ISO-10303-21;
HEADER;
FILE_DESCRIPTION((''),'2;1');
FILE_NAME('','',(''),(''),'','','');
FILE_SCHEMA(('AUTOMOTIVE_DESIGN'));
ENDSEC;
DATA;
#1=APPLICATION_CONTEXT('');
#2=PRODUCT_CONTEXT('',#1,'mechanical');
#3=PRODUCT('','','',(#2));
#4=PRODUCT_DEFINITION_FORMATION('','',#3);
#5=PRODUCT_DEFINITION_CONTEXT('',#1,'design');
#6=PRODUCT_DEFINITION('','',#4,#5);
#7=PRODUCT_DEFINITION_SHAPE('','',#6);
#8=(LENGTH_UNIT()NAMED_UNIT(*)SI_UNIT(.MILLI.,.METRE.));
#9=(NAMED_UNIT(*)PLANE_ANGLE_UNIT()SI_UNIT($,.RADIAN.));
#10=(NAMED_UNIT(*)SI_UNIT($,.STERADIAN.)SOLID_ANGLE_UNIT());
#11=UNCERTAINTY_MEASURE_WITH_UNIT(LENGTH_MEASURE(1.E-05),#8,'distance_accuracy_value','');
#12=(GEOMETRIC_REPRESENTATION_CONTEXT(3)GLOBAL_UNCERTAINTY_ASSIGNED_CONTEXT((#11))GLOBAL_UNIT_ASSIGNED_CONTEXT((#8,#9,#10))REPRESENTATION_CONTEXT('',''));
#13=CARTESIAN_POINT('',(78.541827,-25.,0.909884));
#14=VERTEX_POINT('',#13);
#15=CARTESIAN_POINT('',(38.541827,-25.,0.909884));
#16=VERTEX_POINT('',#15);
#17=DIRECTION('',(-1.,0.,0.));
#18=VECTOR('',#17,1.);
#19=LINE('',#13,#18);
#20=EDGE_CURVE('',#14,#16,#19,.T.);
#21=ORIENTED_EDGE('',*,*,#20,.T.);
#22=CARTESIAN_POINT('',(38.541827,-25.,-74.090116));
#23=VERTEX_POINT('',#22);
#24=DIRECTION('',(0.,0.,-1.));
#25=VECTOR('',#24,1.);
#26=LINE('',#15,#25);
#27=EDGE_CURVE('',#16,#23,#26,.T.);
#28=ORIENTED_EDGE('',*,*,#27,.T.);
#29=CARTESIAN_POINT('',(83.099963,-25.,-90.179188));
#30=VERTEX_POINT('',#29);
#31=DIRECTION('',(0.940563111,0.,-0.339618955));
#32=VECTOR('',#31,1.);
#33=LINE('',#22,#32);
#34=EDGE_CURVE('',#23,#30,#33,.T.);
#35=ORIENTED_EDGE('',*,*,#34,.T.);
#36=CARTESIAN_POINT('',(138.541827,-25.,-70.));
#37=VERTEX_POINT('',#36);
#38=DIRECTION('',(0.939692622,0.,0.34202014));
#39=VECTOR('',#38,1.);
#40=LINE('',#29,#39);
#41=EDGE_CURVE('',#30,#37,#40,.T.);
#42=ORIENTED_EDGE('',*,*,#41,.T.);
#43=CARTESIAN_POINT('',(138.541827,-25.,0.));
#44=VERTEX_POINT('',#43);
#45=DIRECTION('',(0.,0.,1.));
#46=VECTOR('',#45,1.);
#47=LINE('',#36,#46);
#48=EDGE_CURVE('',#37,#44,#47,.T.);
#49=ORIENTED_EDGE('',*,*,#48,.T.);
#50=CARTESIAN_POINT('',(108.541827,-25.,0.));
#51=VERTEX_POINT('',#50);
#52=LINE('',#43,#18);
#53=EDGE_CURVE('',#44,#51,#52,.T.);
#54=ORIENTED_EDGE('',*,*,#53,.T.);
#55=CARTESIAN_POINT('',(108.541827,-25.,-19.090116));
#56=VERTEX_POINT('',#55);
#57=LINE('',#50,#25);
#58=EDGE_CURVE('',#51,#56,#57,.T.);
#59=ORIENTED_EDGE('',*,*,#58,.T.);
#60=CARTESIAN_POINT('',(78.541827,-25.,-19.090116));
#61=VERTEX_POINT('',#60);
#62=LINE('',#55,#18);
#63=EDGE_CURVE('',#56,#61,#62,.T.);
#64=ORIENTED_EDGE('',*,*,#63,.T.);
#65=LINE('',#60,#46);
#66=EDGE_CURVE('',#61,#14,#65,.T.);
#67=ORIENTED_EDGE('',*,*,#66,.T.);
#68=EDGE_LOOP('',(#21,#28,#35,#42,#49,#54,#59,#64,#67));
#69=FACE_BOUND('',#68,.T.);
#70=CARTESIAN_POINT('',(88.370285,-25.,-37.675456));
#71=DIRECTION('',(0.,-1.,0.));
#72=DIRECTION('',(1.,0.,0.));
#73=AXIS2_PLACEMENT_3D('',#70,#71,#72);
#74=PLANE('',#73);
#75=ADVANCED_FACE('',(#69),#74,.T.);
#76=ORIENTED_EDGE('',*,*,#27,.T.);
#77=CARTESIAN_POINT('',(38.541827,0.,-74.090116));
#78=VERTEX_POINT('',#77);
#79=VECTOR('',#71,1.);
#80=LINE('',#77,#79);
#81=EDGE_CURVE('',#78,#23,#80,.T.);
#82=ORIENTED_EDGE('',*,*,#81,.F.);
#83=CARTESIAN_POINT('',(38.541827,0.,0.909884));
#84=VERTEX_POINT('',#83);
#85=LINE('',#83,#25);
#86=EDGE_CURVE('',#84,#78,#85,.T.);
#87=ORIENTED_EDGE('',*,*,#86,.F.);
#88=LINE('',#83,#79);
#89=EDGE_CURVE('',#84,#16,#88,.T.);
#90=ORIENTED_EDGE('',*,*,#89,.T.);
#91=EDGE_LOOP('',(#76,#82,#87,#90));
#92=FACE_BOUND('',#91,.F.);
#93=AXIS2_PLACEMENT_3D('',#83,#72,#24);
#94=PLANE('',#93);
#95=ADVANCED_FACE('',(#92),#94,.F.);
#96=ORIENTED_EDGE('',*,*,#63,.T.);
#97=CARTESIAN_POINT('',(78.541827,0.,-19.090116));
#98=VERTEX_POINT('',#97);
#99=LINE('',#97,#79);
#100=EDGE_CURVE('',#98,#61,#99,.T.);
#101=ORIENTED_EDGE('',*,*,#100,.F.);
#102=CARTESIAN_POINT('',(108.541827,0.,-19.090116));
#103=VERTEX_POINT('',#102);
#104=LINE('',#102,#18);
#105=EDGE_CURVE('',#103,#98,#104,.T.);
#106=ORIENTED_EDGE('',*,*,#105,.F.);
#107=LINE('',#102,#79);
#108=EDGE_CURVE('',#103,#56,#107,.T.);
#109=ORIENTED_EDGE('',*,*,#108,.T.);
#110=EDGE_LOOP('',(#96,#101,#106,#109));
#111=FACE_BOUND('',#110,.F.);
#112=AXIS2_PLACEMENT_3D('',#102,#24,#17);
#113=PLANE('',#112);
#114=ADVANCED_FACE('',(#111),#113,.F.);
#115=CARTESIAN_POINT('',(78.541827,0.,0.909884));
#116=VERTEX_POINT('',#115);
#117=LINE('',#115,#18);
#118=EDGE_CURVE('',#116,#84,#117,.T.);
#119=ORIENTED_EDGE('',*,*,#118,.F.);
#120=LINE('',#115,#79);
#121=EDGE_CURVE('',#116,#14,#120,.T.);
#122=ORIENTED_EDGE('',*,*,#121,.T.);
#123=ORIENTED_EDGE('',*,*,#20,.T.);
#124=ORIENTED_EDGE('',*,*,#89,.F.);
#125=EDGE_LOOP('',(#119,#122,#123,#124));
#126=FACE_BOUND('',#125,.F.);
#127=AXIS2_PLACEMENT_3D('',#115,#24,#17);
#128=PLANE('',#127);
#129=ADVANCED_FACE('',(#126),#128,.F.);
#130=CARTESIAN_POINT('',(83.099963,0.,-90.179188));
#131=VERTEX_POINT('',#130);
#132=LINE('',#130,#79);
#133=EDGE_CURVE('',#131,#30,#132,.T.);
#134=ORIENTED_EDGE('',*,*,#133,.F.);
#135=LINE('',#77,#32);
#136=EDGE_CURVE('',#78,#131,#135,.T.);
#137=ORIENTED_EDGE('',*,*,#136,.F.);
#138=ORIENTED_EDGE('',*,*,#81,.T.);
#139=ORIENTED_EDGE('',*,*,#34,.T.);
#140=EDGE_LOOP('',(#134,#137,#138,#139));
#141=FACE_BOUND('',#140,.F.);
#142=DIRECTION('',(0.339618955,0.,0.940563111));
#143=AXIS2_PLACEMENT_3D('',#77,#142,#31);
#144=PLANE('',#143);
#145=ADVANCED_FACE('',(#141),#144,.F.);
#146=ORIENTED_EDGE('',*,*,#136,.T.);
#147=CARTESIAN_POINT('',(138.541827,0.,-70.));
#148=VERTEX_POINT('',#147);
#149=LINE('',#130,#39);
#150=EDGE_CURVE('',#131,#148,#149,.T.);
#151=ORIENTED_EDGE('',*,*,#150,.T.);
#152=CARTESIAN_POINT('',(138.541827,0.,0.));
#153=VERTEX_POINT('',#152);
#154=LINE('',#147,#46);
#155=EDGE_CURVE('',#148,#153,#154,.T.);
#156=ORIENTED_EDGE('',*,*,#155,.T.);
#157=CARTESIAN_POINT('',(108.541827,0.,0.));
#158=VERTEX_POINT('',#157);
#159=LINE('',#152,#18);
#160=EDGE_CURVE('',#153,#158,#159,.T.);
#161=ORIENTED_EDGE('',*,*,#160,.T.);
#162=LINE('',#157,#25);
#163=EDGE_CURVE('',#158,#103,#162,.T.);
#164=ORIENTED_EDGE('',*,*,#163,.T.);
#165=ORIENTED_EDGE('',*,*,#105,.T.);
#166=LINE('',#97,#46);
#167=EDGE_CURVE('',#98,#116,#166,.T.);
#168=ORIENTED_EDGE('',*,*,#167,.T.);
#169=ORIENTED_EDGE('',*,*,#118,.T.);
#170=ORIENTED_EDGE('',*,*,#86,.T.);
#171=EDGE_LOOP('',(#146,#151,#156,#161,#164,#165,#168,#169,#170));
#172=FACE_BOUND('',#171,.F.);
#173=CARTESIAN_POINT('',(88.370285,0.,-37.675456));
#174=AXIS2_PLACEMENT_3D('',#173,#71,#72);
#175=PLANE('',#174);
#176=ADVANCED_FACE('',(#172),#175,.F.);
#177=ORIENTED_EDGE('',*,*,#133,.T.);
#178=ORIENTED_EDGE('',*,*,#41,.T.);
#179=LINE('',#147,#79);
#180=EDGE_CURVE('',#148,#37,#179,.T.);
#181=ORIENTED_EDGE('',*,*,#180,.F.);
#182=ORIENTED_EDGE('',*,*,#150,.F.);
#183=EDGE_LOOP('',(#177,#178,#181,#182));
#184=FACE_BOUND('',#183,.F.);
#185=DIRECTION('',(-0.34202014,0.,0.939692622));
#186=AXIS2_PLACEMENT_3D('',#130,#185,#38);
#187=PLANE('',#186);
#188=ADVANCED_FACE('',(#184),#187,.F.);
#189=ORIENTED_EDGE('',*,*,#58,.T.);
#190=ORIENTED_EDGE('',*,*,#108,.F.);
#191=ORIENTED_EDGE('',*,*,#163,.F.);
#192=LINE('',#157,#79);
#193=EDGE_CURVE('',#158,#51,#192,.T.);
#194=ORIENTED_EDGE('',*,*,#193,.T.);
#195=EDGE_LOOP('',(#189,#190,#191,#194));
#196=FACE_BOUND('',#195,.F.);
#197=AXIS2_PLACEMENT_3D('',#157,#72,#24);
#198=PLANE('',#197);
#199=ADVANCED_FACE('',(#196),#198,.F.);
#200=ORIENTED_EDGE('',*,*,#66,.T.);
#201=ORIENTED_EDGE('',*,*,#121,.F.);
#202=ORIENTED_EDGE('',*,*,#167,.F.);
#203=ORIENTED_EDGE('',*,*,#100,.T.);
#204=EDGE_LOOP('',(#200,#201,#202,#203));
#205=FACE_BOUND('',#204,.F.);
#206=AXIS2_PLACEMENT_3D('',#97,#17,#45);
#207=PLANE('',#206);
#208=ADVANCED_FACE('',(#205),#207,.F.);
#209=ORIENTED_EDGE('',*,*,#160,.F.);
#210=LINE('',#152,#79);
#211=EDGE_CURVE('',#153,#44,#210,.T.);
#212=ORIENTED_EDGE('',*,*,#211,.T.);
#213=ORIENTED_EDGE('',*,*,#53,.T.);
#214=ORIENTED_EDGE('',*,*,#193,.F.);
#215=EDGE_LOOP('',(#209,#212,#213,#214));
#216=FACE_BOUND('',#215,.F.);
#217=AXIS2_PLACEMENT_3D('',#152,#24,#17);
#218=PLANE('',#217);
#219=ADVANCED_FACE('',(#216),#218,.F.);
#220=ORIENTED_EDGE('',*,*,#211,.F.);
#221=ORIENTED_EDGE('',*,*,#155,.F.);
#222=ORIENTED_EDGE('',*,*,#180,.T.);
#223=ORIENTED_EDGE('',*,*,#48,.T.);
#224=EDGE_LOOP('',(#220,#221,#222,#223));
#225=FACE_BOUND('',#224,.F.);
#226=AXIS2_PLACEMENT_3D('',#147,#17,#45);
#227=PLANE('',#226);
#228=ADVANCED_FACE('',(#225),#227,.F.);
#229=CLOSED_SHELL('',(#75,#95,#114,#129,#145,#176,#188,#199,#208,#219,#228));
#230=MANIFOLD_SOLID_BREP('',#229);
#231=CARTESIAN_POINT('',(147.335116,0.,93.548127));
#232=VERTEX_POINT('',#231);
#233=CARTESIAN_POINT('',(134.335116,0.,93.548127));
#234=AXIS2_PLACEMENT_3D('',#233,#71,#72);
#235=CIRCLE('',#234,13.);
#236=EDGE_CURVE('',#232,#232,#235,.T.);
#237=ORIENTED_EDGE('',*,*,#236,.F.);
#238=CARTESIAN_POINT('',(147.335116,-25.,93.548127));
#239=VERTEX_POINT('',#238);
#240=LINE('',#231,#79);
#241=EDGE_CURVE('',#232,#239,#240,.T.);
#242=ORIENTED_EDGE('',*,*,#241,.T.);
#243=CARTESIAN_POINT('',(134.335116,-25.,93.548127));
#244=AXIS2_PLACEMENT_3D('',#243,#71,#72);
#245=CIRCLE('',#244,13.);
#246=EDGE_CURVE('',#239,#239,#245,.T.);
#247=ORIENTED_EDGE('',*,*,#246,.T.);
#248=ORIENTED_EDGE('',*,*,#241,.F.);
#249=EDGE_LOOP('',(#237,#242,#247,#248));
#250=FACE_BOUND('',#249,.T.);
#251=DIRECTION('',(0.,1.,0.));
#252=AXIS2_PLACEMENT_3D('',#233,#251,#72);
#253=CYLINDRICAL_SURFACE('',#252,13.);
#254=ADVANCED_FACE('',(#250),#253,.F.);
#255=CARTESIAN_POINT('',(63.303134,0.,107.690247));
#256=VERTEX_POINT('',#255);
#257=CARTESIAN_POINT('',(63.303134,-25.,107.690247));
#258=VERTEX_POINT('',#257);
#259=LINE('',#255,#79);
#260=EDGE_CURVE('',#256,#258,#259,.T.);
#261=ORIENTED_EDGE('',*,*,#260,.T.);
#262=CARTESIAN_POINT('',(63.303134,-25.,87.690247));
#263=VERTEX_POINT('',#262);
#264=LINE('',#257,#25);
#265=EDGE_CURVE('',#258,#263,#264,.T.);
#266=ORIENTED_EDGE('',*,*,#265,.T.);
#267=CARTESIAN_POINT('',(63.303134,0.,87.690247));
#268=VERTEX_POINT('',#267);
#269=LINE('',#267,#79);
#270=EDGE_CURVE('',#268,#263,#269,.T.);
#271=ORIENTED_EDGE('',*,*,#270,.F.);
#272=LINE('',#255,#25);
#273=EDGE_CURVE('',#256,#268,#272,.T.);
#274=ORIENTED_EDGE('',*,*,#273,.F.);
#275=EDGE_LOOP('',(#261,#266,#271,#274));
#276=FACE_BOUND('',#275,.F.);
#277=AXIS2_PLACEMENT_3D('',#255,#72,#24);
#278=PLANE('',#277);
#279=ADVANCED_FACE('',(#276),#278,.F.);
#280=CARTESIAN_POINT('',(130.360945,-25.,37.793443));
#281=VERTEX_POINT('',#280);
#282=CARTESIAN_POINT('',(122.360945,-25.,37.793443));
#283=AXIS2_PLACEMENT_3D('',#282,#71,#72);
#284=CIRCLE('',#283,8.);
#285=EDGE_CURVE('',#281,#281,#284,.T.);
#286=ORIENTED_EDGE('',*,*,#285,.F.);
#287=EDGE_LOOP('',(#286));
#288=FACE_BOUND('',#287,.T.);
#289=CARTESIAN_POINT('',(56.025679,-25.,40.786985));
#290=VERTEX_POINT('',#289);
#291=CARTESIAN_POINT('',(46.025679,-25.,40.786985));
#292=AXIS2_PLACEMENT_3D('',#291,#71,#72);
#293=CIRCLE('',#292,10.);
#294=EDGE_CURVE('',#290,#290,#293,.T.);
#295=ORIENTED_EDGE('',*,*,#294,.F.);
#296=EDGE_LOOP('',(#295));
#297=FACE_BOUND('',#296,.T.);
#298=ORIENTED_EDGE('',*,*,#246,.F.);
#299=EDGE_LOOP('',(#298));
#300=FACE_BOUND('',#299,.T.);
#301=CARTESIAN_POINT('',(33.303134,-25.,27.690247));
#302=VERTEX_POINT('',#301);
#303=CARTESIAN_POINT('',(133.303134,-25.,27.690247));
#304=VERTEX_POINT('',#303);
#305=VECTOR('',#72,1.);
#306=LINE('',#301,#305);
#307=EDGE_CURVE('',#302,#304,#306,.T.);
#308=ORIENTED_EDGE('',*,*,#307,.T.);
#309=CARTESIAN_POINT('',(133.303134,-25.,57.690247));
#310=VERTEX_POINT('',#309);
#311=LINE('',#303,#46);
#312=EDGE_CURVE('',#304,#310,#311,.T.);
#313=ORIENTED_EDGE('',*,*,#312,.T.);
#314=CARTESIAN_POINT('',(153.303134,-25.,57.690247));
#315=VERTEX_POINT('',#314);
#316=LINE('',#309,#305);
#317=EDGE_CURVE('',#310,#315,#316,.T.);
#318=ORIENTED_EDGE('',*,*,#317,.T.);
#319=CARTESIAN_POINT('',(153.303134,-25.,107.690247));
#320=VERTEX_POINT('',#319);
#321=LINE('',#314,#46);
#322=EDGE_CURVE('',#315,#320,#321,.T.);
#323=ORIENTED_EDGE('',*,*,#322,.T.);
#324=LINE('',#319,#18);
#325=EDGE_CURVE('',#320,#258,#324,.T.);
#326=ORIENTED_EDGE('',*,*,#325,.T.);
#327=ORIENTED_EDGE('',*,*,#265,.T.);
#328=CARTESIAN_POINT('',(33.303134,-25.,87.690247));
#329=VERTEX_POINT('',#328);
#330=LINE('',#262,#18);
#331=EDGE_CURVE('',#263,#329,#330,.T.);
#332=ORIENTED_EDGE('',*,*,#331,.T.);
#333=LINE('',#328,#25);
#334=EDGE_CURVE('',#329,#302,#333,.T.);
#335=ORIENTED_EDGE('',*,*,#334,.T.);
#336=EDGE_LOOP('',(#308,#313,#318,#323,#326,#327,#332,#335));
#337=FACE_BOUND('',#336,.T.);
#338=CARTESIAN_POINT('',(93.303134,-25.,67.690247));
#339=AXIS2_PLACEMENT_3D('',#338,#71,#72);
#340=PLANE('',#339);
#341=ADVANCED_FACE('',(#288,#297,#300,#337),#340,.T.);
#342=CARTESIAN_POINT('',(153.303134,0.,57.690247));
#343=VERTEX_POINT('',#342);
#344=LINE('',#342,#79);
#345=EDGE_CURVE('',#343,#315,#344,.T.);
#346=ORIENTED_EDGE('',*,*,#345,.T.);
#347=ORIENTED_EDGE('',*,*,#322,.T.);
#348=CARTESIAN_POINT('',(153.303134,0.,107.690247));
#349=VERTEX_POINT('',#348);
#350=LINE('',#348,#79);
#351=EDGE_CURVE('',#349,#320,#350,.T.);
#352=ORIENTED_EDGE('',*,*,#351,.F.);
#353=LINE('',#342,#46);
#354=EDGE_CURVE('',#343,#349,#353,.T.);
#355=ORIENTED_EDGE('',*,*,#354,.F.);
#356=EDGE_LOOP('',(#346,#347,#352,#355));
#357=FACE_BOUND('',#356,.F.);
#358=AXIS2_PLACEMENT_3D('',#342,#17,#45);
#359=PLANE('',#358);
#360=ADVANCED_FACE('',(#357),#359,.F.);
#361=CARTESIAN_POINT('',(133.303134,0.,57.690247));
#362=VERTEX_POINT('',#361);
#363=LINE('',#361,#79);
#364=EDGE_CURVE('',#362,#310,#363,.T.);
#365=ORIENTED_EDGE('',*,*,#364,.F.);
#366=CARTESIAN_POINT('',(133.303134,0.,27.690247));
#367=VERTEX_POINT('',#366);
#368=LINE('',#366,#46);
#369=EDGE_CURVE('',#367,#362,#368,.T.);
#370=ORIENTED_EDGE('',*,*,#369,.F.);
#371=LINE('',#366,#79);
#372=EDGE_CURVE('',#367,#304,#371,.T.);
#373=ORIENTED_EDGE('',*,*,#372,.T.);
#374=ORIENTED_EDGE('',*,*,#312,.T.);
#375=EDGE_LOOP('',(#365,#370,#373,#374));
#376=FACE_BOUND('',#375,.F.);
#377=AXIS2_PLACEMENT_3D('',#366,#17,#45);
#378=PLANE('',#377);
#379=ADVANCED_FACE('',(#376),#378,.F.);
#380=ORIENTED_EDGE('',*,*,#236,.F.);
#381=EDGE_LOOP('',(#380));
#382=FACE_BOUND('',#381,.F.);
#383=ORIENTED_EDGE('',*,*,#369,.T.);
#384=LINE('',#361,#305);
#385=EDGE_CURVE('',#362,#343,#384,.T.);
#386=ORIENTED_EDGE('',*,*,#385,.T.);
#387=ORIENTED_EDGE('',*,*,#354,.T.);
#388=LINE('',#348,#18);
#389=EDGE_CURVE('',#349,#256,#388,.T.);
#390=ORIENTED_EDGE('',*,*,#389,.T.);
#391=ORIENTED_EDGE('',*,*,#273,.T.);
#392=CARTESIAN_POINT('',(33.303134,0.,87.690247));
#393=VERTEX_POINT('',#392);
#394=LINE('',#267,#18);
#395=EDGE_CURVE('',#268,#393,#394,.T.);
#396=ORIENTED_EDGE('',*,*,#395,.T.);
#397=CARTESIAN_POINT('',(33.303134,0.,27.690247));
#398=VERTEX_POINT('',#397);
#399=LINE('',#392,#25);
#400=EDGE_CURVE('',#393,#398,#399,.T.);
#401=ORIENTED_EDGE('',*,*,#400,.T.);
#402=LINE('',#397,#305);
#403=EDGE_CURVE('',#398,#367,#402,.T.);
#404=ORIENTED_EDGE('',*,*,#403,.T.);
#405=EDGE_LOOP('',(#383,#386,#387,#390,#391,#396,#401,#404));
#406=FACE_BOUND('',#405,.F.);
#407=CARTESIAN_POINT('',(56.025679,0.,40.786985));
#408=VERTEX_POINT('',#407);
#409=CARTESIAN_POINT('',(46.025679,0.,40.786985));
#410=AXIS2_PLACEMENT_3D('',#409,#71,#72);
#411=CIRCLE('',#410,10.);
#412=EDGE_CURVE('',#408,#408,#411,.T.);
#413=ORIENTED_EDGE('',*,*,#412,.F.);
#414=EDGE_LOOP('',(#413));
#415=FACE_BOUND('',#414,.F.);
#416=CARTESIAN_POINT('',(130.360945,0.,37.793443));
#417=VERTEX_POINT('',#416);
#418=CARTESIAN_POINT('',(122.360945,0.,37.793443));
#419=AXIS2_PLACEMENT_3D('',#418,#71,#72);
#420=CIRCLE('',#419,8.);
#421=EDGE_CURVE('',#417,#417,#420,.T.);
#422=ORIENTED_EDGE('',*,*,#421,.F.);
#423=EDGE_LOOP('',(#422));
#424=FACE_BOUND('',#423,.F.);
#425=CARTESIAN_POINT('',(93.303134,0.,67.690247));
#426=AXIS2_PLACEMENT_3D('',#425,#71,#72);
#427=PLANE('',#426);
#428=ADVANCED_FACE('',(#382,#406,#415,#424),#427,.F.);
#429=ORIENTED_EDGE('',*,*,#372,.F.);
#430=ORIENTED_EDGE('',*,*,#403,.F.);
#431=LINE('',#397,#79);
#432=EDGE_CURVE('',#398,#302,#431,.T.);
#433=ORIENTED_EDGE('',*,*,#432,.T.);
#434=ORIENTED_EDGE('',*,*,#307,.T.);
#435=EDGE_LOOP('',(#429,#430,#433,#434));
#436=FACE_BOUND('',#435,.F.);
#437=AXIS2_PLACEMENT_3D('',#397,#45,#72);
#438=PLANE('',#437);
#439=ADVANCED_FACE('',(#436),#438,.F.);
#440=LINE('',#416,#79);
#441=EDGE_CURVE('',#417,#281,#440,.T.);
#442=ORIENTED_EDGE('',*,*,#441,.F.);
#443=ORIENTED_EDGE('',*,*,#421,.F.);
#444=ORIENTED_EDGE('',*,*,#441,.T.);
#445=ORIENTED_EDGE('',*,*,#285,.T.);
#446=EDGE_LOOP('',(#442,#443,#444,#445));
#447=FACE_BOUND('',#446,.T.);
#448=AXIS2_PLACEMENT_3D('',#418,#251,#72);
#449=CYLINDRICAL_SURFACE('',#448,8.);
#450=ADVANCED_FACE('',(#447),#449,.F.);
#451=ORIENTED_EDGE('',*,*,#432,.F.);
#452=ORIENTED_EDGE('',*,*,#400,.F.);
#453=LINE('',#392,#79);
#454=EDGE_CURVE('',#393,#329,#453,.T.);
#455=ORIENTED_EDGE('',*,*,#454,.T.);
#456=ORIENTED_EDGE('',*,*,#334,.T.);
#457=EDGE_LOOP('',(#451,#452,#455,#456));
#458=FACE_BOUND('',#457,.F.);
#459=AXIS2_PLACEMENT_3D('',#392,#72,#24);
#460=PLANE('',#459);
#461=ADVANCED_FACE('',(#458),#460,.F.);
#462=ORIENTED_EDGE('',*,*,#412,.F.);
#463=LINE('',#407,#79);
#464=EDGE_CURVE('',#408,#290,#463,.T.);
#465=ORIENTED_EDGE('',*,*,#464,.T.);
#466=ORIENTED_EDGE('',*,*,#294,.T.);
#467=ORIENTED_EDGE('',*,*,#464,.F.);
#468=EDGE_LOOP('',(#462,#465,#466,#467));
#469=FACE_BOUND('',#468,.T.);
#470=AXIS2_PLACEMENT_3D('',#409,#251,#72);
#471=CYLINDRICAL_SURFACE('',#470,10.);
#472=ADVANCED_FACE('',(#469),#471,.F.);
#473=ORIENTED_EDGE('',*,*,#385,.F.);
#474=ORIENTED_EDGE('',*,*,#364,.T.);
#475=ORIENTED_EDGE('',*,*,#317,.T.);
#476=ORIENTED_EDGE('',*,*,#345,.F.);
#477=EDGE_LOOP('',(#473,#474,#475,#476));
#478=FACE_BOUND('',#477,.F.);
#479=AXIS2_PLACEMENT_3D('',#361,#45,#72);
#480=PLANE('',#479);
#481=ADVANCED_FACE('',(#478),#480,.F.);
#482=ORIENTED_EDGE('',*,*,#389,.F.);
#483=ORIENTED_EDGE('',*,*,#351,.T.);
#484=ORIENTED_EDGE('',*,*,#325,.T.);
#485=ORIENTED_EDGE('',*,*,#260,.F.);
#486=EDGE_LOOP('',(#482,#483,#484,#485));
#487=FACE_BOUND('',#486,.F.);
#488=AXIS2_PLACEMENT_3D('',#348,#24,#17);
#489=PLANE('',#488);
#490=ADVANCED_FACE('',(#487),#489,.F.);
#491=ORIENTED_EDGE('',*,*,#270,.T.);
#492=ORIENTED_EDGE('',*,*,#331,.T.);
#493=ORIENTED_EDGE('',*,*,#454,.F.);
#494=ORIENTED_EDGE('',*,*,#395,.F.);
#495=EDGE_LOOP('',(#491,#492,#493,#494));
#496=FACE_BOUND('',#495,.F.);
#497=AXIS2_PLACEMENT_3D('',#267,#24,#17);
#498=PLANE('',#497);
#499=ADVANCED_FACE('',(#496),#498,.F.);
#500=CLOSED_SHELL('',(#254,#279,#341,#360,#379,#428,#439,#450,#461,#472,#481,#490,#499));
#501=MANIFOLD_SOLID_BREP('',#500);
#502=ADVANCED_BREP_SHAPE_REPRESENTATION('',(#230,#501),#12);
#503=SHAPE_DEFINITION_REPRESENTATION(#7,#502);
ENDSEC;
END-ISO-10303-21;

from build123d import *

# Parameters (mm, degrees)
F0_R     = 10
F0_R_2   = 8
F0_R_3   = 13
F1_DEPTH = 25


with BuildPart() as f1:
    # F0 (on Front) → F1 (new body)
    with BuildSketch(Plane.XZ):
        Polygon((33.303134, 87.690247), (33.303134, 27.690247), (133.303134, 27.690247), (133.303134, 57.690247), (153.303134, 57.690247), (153.303134, 107.690247), (63.303134, 107.690247), (63.303134, 87.690247), align=None)
        with Locations((46.025679, 40.786985)):
            Circle(F0_R, mode=Mode.SUBTRACT)
        with Locations((122.360945, 37.793443)):
            Circle(F0_R_2, mode=Mode.SUBTRACT)
        with Locations((134.335116, 93.548127)):
            Circle(F0_R_3, mode=Mode.SUBTRACT)
        Polygon((38.541827, 0.909884), (38.541827, -74.090116), (83.099963, -90.179188), (138.541827, -70), (138.541827, 0), (108.541827, 0), (108.541827, -19.090116), (78.541827, -19.090116), (78.541827, 0.909884), align=None)
    extrude(amount=F1_DEPTH)


solid = f1.part
